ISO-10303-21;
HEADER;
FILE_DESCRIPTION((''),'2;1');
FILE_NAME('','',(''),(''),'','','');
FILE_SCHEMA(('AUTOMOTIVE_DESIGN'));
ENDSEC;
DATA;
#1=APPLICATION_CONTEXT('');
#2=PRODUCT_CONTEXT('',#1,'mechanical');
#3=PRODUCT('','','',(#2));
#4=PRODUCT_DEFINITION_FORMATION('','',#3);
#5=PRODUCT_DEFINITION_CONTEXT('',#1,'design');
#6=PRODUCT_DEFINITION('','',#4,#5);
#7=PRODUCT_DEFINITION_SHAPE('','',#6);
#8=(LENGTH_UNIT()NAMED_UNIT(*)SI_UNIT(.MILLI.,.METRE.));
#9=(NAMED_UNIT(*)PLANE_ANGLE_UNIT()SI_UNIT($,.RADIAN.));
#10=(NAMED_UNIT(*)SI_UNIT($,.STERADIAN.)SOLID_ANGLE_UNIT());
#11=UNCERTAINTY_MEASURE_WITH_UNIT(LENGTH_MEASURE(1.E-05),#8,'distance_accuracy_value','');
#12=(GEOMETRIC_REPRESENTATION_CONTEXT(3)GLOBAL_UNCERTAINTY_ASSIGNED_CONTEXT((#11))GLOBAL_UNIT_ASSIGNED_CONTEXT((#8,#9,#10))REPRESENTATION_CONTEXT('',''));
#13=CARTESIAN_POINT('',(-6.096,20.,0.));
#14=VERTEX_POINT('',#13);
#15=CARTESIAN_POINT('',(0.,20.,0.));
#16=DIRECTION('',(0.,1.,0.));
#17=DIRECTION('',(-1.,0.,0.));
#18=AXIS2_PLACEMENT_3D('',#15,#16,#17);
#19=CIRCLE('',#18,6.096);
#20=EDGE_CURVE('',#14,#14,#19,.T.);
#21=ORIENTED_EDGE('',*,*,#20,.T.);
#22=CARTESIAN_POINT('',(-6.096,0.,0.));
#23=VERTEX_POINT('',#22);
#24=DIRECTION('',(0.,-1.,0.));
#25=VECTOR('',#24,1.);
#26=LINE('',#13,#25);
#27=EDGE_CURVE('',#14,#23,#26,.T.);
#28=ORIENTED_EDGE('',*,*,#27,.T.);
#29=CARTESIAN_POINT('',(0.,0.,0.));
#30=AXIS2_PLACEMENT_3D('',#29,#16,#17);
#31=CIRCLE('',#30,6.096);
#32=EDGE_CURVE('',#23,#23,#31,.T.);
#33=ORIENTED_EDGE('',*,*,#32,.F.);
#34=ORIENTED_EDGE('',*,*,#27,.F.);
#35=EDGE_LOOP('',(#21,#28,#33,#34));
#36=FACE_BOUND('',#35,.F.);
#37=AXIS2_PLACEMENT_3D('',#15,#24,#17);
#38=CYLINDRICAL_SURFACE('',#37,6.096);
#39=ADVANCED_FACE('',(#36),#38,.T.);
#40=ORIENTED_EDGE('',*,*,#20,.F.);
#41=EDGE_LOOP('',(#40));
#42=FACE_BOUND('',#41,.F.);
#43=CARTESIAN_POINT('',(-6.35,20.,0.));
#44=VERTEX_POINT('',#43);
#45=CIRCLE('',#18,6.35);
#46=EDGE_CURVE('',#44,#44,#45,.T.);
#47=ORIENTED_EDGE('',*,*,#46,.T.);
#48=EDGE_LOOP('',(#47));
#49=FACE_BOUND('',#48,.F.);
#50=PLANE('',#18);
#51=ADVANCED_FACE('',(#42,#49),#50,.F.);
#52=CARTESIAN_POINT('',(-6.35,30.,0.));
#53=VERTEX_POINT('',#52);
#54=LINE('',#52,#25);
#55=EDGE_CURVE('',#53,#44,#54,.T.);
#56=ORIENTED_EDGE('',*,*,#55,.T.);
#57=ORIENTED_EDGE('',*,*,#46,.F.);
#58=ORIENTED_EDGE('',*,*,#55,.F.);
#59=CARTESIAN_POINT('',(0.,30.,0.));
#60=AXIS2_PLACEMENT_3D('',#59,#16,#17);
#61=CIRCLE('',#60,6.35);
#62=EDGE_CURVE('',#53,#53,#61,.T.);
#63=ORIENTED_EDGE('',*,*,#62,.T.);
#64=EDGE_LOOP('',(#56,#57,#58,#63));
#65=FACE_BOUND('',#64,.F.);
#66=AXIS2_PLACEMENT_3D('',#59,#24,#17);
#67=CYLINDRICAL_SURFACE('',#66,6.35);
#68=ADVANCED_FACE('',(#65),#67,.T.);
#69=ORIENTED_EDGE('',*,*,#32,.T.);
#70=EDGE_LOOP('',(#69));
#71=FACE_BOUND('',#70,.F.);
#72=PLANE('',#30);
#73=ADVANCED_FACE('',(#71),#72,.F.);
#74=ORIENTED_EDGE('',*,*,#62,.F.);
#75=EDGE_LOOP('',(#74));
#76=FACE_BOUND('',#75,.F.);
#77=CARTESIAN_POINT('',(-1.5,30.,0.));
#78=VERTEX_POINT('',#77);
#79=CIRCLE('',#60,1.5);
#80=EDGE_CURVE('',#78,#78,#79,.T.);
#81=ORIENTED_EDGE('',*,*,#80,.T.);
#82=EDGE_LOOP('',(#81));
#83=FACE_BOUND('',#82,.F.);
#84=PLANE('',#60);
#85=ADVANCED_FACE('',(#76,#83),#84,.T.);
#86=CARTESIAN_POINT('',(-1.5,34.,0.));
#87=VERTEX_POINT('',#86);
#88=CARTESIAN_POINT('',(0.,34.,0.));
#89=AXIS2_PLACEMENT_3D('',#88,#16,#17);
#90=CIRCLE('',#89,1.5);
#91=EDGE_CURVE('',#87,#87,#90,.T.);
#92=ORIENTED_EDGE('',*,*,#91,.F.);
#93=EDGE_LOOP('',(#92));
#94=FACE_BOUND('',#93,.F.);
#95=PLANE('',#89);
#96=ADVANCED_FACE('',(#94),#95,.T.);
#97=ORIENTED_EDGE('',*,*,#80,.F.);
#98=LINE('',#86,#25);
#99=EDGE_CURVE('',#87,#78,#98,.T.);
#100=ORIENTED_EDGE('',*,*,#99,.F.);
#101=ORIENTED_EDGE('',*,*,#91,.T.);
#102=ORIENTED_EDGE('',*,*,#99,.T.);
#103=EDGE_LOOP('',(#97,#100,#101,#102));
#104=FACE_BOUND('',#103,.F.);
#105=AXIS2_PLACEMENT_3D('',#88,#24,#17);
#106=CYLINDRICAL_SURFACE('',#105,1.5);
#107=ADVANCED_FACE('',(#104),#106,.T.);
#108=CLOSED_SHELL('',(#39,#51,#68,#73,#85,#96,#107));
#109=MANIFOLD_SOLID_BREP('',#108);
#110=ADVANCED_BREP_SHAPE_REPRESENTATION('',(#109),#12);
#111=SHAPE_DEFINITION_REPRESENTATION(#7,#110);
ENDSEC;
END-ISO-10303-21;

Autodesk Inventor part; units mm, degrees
ref_plane "YZ Plane" through (0, 0, 0) normal (1, 0, 0) x (0, 1, 0)
ref_plane "XZ Plane" through (0, 0, 0) normal (0, 1, 0) x (-1, 0, 0)
ref_plane "XY Plane" through (0, 0, 0) normal (0, 0, 1) x (1, 0, 0)
sketch "Sketch1" plane through (0, 0, 0) normal (0, 0, 1) x (1, 0, 0)
  line L0 (0, 34) -> (-1.5, 34)
  line L1 (-1.5, 34) -> (-1.5, 30)
  line L2 (-1.5, 30) -> (-6.35, 30)
  line L3 (-6.35, 30) -> (-6.35, 20)
  line L4 (-6.35, 20) -> (-6.096, 20)
  line L5 (-6.096, 20) -> (-6.096, 0)
  line L6 (-6.096, 0) -> (0, 0)
  line L7 (0, 0) -> (0, 34)
  dimension "d0" = 1.5
  dimension "d2" = 6.096
  dimension "d3" = 20
  dimension "d4" = 4
  dimension "d5" = 10
  dimension "d9" = 6.35
revolve "Revolution1" add sketch "Sketch1" angle 360 about axis through (0, 0, 0) along (0, 1, 0)
thread "Thread1" size "M3x0.5" class "6g" standard "ANSI Metric M Profile" full length
equation "\"d2\" = 0.5 * tube_od - tube_wall"
equation "\"d9\" = 0.5 * tube_od"
equation "\"tube_od\" = 12.7"
equation "\"tube_wall\" = 0.254"
properties part number "tubeFitting" material "Brass, Soft Yellow"
